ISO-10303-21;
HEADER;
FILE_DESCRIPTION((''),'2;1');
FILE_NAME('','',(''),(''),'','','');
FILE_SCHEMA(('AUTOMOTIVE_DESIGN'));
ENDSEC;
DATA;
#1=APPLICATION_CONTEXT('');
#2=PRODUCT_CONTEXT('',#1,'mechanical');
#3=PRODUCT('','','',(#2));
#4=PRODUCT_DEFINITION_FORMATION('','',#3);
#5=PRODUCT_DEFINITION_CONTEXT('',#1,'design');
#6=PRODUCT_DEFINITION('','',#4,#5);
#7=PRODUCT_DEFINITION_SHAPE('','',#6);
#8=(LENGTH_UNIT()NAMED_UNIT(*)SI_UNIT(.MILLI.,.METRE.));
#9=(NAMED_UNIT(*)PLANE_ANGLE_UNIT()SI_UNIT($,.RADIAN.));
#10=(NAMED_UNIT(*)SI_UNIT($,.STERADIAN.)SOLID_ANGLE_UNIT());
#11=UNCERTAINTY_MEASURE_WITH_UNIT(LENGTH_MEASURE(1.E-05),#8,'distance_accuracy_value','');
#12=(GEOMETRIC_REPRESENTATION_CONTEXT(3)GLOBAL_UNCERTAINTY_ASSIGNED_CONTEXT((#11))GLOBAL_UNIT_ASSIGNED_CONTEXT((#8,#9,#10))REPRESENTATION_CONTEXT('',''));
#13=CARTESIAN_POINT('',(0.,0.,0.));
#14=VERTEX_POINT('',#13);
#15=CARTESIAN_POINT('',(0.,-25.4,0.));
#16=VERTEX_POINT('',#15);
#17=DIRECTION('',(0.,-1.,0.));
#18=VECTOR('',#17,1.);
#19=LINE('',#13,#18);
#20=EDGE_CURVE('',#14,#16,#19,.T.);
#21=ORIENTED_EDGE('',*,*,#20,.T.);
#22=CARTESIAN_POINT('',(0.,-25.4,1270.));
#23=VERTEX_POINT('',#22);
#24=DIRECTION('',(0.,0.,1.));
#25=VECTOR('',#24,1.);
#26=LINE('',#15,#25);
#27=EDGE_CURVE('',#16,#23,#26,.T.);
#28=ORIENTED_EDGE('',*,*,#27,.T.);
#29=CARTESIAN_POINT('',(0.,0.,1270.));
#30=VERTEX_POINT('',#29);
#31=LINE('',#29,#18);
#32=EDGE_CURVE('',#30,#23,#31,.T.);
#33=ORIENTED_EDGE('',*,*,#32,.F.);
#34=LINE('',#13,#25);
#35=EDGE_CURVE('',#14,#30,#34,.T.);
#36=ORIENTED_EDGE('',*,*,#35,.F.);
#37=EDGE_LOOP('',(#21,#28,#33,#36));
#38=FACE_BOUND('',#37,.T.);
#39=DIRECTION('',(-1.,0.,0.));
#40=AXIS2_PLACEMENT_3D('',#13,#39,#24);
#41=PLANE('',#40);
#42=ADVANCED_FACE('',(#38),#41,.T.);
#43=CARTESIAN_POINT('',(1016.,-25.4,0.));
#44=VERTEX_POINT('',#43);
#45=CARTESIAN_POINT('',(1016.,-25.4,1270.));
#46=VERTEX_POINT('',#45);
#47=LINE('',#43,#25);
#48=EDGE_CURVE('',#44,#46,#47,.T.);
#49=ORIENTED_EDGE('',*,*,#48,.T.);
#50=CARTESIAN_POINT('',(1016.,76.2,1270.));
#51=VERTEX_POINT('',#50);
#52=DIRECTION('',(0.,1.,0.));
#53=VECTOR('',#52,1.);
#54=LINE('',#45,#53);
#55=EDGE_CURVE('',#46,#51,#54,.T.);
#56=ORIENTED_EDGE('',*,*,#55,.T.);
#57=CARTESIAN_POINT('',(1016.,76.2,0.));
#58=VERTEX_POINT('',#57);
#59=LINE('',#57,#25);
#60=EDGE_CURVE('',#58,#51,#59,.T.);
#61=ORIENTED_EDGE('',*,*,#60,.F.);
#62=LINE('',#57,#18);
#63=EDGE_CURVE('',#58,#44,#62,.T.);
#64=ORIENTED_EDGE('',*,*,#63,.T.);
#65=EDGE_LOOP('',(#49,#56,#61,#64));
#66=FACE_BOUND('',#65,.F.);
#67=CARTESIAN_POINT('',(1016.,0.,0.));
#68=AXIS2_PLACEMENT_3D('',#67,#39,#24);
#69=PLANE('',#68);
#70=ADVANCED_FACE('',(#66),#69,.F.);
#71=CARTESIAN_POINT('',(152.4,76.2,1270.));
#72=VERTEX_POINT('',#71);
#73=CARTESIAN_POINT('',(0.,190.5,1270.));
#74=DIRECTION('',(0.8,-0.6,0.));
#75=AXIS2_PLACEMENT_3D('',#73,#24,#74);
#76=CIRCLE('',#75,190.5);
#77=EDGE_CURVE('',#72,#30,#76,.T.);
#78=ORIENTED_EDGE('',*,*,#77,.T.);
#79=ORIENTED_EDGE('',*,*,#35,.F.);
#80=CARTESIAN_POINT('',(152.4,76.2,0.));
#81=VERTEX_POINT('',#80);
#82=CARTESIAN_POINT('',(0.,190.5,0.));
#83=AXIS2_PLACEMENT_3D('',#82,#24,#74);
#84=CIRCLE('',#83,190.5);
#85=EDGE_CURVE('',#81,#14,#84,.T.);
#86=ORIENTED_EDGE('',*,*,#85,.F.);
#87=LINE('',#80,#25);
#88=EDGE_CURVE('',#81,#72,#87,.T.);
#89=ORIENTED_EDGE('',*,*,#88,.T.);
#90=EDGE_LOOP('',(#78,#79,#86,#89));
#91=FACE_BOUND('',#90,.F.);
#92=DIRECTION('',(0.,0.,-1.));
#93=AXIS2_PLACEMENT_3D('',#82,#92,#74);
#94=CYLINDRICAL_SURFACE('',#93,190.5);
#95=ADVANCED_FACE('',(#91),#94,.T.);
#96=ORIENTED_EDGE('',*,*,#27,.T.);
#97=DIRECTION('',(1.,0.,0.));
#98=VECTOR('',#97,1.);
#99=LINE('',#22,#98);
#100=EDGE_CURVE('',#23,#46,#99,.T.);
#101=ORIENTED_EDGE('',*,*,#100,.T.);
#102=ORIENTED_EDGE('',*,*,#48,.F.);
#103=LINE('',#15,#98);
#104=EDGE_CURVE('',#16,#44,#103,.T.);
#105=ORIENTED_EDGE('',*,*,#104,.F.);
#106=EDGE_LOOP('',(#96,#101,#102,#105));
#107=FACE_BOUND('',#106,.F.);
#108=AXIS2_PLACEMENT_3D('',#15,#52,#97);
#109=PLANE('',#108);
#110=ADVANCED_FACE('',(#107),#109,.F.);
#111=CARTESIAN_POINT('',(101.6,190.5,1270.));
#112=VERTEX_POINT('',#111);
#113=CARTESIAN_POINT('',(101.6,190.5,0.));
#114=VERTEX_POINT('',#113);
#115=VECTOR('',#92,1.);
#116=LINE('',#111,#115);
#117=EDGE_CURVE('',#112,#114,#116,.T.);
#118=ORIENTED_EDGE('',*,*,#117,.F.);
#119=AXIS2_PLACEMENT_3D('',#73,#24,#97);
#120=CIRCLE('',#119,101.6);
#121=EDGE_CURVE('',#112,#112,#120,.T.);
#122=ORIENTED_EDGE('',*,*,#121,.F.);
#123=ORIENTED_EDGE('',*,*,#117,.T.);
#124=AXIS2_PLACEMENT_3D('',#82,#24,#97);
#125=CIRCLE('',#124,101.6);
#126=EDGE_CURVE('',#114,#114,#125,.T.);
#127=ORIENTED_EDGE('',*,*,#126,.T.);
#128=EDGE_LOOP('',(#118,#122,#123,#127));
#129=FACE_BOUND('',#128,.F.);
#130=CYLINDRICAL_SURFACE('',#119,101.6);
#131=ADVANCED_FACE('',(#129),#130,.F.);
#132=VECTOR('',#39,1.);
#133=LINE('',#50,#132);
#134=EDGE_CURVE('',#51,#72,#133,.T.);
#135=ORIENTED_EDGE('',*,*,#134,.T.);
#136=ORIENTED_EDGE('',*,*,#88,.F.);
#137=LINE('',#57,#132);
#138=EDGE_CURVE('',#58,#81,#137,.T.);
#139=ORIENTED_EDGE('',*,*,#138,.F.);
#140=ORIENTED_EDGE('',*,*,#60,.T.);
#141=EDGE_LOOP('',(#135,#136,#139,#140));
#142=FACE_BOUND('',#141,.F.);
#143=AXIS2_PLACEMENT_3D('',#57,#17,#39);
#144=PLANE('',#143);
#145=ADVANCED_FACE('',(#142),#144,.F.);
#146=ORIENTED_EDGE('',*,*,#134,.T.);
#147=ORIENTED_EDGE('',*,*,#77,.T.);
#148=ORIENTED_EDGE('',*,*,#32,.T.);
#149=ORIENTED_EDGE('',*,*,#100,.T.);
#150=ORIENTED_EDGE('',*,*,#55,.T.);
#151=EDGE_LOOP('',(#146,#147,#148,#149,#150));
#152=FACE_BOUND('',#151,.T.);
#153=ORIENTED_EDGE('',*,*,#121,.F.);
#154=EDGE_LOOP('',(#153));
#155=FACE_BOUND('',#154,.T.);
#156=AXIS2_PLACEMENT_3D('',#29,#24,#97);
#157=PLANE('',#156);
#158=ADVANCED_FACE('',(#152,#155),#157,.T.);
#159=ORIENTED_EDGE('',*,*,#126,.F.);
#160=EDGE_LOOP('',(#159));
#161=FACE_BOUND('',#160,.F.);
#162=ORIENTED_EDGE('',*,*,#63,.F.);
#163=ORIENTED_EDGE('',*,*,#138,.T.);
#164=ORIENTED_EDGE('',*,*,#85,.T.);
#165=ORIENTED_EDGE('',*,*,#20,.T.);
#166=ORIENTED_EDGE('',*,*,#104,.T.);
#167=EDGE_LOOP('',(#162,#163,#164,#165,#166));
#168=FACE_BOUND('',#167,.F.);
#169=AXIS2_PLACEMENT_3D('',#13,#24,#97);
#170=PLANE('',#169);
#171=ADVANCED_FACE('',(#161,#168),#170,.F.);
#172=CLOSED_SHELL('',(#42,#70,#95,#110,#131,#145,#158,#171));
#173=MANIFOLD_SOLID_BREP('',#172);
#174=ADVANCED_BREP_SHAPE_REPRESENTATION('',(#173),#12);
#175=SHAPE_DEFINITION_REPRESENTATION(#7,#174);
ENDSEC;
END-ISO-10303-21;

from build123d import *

# Parameters (mm, degrees)
F1_DEPTH = 1270
F2_R     = 101.6
F3_DEPTH = 1270.001
F4_DEPTH = 25.4


with BuildPart() as f1:
    # F0 (on Top) → F1 (new body)
    with BuildSketch(Plane.XY):
        with BuildLine():
            ThreePointArc((152.4, 76.2), (-85.1941899427, 360.8883798855), (0, 0))
            Line((0, 0), (1016, 0))
            Line((1016, 0), (1016, 76.2))
            Line((1016, 76.2), (152.4, 76.2))
        make_face()
    extrude(amount=F1_DEPTH)

    # F2 (on face) → F3 (cut, through all)
    with BuildSketch(Plane.XY.offset(1270)):
        with Locations((0, 190.5)):
            Circle(F2_R)
    extrude(amount=-F3_DEPTH, mode=Mode.SUBTRACT)

    # F4 (add): a face of the model
    f4_faces = [f1.faces().sort_by_distance(p)[0] for p in [
        (508, 0, 635),
    ]]
    extrude(f4_faces, amount=F4_DEPTH)


solid = f1.part
